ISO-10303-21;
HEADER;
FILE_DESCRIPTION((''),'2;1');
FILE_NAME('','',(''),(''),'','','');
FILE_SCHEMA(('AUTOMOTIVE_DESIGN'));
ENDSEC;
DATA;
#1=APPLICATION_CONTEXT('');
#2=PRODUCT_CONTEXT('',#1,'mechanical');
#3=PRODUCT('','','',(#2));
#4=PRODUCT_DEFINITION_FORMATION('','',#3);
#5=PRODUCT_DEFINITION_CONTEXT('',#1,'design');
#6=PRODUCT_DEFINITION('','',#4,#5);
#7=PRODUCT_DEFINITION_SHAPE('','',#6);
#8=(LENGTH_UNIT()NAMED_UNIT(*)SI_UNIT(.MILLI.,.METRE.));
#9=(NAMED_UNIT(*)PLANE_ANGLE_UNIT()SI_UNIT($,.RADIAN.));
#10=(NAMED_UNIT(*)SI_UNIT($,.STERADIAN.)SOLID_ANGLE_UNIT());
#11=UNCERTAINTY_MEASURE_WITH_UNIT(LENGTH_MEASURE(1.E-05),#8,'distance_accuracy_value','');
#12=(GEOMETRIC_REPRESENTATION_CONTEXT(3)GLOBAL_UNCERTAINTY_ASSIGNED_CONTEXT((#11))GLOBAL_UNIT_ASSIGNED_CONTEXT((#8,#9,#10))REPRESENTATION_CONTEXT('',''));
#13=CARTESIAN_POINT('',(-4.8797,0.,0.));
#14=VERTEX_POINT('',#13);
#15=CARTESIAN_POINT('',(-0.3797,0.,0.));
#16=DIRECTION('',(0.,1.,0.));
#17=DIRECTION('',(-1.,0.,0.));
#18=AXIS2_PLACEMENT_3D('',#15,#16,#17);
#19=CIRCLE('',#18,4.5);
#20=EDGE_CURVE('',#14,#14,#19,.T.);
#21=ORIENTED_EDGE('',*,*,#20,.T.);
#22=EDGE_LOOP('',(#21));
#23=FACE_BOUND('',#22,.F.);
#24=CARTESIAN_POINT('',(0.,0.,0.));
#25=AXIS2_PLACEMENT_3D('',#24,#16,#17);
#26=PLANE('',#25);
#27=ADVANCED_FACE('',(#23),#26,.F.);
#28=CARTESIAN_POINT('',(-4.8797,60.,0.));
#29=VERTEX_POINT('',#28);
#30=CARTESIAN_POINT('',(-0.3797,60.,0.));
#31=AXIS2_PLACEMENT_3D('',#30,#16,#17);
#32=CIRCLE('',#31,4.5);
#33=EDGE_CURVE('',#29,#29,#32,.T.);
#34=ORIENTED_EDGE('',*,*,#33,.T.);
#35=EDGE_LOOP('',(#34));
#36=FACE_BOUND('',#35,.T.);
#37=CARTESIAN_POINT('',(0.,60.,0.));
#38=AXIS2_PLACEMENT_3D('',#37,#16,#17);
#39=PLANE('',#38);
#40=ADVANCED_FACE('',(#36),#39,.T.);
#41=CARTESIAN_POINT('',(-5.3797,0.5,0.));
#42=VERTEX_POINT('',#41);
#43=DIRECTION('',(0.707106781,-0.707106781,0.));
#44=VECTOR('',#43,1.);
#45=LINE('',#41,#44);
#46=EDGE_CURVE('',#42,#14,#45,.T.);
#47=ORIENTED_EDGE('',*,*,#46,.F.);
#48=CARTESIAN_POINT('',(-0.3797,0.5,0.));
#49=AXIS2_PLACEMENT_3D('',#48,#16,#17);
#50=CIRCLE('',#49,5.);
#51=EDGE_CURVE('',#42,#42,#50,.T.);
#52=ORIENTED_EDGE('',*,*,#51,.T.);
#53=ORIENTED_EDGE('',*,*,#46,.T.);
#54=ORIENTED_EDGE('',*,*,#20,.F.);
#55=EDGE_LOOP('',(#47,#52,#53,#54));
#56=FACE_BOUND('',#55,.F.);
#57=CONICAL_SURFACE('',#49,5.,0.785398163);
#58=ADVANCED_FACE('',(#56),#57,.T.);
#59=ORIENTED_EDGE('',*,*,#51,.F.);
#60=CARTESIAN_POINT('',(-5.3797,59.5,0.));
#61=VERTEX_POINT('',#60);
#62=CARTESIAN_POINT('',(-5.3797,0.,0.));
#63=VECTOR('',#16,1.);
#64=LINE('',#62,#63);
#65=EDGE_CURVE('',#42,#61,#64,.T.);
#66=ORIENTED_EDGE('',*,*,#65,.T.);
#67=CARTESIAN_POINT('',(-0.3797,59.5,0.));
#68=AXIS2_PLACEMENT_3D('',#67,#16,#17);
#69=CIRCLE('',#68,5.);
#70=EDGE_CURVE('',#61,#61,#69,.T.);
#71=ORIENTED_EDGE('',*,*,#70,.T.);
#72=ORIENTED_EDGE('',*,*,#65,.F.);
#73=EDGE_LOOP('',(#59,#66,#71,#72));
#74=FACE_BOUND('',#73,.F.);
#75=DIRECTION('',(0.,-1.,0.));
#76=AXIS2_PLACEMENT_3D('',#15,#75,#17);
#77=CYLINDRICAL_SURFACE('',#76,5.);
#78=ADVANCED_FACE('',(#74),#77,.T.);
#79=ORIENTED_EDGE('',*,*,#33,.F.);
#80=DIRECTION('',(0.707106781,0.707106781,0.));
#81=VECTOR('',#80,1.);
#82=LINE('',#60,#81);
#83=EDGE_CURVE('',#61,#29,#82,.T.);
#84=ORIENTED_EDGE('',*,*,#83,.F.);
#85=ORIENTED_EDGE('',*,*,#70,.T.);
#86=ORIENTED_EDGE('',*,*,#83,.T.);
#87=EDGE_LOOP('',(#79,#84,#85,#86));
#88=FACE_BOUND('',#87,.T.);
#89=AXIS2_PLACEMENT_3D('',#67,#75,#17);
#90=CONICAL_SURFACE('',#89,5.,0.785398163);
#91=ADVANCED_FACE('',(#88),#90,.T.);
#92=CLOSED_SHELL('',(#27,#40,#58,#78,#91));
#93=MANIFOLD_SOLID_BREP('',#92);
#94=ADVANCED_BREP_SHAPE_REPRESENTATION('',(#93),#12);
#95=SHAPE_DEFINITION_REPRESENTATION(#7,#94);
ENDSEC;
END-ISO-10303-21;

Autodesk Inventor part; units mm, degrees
ref_plane "YZ Plane" through (0, 0, 0) normal (1, 0, 0) x (0, 1, 0)
ref_plane "XZ Plane" through (0, 0, 0) normal (0, 1, 0) x (-1, 0, 0)
ref_plane "XY Plane" through (0, 0, 0) normal (0, 0, 1) x (1, 0, 0)
sketch "Boceto1" plane through (0, 0, 0) normal (0, 1, 0) x (-1, 0, 0)
  circle A0 centre (0.3797, 0) radius 5
  point P0 (0, 0)
  dimension "d0" = 10
extrude "Extrusión1" add sketch "Boceto1" along normal blind 60
chamfer "Chaflán1" distance 0.5 angle 45 1 edges at (4.6203, 60, 0)
chamfer "Chaflán2" distance 0.5 angle 45 1 edges at (4.6203, 0, 0)
properties part number "EJE"
